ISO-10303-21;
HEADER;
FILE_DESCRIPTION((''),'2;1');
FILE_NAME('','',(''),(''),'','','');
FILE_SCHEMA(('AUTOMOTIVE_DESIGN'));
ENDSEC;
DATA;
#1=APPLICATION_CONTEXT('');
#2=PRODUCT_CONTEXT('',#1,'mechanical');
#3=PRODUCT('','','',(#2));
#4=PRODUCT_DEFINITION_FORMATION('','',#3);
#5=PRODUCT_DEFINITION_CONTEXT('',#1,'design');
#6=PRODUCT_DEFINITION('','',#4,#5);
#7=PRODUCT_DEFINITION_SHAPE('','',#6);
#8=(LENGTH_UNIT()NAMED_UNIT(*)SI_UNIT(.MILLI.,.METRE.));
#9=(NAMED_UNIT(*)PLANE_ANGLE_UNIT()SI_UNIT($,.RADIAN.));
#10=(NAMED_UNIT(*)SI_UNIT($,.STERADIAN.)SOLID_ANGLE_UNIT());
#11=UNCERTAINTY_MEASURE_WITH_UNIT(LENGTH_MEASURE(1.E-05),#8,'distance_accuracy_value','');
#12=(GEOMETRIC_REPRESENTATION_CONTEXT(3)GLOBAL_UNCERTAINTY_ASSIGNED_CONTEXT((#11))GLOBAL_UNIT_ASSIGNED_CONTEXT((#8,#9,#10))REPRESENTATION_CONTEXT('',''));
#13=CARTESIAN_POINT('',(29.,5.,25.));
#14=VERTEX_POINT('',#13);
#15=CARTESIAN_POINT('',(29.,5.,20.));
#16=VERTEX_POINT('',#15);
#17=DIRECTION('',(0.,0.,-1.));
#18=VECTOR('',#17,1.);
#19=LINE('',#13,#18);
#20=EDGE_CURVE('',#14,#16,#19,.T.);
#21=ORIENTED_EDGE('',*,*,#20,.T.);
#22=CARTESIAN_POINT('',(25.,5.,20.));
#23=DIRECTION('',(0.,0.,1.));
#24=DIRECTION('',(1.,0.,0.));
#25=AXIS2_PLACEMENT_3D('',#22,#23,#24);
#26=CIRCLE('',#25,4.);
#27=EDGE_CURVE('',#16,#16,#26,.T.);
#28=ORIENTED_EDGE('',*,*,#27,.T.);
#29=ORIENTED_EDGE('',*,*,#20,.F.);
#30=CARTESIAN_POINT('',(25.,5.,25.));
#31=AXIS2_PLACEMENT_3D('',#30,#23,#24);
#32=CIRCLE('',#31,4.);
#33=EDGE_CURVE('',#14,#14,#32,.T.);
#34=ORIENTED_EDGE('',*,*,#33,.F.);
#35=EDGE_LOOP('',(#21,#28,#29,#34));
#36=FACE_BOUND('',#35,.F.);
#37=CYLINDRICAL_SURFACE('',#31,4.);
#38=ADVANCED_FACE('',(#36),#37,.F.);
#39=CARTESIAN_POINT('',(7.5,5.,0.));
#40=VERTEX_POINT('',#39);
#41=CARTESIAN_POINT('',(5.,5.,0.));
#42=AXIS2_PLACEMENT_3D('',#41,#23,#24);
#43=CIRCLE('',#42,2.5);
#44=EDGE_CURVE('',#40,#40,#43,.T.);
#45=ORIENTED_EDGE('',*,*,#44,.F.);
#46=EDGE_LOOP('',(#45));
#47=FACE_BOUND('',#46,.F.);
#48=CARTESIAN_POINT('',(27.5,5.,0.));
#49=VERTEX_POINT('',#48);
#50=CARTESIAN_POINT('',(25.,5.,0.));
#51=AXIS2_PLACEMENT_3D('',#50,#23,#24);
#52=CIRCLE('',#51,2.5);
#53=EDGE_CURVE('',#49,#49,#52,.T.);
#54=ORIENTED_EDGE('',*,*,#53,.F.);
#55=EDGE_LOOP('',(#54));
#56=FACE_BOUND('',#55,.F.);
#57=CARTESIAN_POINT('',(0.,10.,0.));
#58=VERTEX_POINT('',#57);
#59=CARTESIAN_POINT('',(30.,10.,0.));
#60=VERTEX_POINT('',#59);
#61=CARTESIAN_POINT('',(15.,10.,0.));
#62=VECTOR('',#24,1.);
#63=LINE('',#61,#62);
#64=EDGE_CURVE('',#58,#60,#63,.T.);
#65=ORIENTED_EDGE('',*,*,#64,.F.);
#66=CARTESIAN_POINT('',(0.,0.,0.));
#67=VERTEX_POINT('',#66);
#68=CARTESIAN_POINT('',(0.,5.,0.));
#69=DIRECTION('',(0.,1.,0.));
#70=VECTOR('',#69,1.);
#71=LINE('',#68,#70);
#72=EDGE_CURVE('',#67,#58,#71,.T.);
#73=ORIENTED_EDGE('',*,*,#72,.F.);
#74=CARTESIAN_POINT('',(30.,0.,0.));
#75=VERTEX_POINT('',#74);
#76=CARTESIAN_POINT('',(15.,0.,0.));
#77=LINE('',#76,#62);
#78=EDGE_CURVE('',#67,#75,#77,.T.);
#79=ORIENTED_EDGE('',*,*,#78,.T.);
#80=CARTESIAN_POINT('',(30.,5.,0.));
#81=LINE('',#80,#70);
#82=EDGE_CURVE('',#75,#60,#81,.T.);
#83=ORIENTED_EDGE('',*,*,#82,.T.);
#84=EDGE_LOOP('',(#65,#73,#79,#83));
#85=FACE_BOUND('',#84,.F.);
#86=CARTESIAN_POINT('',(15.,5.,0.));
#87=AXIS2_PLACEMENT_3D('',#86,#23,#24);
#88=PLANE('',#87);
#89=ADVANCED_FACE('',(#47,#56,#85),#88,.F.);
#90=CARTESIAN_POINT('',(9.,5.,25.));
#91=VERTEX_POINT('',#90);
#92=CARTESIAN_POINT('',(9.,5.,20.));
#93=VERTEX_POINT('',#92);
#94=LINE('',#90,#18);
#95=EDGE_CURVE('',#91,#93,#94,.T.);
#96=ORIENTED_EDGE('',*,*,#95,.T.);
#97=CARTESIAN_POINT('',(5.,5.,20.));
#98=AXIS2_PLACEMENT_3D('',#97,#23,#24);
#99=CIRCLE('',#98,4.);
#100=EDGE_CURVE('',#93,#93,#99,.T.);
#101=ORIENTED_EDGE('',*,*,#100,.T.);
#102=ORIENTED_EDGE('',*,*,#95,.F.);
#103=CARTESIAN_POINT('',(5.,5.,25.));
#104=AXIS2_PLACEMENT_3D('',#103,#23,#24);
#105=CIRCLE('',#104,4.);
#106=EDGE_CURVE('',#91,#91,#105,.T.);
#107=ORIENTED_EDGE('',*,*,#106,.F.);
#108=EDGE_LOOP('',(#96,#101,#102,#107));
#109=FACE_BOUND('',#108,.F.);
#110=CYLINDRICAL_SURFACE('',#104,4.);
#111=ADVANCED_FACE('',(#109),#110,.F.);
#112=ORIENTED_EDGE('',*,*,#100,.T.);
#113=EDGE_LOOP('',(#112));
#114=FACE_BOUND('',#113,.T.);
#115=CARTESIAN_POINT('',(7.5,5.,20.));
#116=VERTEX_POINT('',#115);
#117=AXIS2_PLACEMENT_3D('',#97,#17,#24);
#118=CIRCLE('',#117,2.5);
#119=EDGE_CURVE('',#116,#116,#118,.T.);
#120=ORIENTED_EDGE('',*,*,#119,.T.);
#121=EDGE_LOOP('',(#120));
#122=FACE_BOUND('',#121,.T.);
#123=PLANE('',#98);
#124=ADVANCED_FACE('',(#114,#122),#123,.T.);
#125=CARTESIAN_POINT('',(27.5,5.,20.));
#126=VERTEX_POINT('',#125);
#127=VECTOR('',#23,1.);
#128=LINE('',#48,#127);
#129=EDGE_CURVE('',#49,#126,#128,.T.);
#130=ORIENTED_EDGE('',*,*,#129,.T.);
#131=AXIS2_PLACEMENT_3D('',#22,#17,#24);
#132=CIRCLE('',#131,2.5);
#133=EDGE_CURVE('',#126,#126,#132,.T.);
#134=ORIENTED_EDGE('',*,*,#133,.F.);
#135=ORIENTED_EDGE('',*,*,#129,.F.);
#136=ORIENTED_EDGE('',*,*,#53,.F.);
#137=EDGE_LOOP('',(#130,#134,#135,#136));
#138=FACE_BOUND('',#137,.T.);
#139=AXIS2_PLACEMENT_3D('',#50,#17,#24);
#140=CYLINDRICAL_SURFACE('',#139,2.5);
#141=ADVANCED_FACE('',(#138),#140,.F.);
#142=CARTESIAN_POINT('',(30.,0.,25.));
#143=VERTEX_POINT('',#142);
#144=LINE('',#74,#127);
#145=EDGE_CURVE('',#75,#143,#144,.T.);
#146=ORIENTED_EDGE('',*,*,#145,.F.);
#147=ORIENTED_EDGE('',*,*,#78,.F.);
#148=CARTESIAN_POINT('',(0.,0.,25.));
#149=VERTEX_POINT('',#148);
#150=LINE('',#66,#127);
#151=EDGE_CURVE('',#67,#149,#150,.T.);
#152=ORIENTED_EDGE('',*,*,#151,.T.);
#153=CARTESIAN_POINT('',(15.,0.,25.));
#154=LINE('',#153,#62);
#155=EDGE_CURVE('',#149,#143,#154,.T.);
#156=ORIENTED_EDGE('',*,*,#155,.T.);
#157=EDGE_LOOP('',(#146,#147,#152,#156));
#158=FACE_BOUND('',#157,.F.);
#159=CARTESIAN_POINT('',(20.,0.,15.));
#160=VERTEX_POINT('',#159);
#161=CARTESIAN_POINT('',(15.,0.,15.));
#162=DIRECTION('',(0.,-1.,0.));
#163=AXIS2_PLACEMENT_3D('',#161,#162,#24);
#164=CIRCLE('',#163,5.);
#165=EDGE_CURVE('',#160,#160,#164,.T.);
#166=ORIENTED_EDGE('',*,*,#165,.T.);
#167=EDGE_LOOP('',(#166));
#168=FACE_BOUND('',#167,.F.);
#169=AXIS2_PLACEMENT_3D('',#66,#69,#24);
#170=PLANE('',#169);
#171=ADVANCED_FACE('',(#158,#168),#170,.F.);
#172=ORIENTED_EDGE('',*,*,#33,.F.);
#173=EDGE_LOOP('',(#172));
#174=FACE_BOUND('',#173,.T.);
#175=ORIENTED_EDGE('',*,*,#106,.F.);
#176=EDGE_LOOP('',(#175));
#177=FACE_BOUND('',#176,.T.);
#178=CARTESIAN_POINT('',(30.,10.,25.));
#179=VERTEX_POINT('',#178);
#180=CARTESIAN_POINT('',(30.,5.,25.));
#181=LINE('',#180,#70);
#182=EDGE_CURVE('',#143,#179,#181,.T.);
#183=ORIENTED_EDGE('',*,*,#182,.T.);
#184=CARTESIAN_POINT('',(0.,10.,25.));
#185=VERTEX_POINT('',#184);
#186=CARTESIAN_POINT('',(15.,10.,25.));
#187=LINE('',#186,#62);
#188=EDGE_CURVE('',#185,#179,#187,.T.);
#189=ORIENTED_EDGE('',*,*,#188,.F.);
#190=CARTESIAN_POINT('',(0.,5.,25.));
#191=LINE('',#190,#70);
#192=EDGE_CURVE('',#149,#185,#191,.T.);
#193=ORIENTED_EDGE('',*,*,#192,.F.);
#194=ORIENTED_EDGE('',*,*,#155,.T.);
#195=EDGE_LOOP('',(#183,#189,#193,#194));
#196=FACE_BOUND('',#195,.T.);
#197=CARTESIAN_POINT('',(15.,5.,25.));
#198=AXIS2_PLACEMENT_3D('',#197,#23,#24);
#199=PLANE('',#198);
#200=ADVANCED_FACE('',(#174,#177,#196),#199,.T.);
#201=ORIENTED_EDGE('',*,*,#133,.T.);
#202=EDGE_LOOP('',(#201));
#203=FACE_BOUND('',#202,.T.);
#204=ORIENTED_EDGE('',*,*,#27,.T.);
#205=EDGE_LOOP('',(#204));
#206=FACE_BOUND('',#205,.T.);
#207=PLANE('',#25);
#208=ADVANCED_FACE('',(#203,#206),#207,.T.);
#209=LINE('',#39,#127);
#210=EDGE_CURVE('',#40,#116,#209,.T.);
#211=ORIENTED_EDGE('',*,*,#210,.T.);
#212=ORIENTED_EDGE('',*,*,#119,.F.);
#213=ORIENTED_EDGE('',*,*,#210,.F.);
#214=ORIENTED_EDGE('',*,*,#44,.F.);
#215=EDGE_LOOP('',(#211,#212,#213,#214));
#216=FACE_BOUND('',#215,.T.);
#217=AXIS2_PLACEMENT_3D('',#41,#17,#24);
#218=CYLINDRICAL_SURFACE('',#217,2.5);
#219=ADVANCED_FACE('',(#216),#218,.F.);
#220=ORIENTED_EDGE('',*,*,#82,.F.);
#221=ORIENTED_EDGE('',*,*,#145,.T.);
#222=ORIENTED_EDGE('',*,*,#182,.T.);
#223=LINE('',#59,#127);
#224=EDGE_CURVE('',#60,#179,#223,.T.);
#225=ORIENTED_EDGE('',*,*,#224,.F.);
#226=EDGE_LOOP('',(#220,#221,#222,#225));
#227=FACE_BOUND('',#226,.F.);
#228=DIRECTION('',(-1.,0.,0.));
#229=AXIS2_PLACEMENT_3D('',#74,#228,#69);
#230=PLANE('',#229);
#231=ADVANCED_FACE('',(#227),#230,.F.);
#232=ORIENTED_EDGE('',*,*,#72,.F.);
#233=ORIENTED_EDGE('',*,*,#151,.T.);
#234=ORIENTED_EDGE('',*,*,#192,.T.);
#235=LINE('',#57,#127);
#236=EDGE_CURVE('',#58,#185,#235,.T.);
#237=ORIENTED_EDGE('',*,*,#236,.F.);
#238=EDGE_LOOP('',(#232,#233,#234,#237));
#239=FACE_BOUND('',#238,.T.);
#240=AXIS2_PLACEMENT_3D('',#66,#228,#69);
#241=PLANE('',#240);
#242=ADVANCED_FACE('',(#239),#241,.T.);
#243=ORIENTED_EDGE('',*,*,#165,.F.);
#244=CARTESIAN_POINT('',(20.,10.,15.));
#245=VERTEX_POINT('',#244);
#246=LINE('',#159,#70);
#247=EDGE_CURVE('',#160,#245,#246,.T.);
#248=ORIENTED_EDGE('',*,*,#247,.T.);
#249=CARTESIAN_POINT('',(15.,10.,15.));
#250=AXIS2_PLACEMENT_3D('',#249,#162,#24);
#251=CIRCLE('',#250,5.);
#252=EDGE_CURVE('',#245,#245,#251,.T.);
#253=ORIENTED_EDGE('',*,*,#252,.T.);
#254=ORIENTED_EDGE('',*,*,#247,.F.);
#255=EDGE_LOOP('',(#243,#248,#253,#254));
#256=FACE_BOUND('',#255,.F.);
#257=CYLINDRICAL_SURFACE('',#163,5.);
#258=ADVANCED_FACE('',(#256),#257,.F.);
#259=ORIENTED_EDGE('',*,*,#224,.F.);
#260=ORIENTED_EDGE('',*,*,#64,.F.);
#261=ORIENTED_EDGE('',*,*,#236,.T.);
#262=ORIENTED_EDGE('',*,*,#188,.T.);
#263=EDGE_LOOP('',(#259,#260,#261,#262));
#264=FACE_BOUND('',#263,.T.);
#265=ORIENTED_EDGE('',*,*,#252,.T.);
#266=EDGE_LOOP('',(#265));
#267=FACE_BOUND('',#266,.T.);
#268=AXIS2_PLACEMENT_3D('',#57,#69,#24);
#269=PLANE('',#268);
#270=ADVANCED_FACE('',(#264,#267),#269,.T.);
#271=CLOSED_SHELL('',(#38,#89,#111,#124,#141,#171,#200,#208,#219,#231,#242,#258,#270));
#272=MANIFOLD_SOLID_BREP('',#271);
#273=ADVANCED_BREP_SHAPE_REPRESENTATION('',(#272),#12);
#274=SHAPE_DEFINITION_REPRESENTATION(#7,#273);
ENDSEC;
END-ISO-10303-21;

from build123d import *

# Parameters (mm, degrees)
F0_W     = 30
F0_H     = 10
F0_R     = 2.5
F1_DEPTH = 25
F2_R     = 4
F3_DEPTH = 5
F4_R     = 5
F5_DEPTH = 25


with BuildPart() as f1:
    # F0 (on Top) → F1 (new body)
    with BuildSketch(Plane.XY):
        with Locations((15, 5)):
            Rectangle(F0_W, F0_H)
        with Locations((5, 5)):
            Circle(F0_R, mode=Mode.SUBTRACT)
        with Locations((25, 5)):
            Circle(F0_R, mode=Mode.SUBTRACT)
    extrude(amount=F1_DEPTH)

    # F2 (on face) → F3 (cut)
    with BuildSketch(Plane.XY.offset(25)):
        with Locations((5, 5)):
            Circle(F2_R)
        with Locations((25, 5)):
            Circle(F2_R)
    extrude(amount=-F3_DEPTH, mode=Mode.SUBTRACT)

    # F4 (on face) → F5 (cut)
    with BuildSketch(Plane.XZ):
        with Locations((15, 15)):
            Circle(F4_R)
    extrude(amount=-F5_DEPTH, mode=Mode.SUBTRACT)


solid = f1.part
